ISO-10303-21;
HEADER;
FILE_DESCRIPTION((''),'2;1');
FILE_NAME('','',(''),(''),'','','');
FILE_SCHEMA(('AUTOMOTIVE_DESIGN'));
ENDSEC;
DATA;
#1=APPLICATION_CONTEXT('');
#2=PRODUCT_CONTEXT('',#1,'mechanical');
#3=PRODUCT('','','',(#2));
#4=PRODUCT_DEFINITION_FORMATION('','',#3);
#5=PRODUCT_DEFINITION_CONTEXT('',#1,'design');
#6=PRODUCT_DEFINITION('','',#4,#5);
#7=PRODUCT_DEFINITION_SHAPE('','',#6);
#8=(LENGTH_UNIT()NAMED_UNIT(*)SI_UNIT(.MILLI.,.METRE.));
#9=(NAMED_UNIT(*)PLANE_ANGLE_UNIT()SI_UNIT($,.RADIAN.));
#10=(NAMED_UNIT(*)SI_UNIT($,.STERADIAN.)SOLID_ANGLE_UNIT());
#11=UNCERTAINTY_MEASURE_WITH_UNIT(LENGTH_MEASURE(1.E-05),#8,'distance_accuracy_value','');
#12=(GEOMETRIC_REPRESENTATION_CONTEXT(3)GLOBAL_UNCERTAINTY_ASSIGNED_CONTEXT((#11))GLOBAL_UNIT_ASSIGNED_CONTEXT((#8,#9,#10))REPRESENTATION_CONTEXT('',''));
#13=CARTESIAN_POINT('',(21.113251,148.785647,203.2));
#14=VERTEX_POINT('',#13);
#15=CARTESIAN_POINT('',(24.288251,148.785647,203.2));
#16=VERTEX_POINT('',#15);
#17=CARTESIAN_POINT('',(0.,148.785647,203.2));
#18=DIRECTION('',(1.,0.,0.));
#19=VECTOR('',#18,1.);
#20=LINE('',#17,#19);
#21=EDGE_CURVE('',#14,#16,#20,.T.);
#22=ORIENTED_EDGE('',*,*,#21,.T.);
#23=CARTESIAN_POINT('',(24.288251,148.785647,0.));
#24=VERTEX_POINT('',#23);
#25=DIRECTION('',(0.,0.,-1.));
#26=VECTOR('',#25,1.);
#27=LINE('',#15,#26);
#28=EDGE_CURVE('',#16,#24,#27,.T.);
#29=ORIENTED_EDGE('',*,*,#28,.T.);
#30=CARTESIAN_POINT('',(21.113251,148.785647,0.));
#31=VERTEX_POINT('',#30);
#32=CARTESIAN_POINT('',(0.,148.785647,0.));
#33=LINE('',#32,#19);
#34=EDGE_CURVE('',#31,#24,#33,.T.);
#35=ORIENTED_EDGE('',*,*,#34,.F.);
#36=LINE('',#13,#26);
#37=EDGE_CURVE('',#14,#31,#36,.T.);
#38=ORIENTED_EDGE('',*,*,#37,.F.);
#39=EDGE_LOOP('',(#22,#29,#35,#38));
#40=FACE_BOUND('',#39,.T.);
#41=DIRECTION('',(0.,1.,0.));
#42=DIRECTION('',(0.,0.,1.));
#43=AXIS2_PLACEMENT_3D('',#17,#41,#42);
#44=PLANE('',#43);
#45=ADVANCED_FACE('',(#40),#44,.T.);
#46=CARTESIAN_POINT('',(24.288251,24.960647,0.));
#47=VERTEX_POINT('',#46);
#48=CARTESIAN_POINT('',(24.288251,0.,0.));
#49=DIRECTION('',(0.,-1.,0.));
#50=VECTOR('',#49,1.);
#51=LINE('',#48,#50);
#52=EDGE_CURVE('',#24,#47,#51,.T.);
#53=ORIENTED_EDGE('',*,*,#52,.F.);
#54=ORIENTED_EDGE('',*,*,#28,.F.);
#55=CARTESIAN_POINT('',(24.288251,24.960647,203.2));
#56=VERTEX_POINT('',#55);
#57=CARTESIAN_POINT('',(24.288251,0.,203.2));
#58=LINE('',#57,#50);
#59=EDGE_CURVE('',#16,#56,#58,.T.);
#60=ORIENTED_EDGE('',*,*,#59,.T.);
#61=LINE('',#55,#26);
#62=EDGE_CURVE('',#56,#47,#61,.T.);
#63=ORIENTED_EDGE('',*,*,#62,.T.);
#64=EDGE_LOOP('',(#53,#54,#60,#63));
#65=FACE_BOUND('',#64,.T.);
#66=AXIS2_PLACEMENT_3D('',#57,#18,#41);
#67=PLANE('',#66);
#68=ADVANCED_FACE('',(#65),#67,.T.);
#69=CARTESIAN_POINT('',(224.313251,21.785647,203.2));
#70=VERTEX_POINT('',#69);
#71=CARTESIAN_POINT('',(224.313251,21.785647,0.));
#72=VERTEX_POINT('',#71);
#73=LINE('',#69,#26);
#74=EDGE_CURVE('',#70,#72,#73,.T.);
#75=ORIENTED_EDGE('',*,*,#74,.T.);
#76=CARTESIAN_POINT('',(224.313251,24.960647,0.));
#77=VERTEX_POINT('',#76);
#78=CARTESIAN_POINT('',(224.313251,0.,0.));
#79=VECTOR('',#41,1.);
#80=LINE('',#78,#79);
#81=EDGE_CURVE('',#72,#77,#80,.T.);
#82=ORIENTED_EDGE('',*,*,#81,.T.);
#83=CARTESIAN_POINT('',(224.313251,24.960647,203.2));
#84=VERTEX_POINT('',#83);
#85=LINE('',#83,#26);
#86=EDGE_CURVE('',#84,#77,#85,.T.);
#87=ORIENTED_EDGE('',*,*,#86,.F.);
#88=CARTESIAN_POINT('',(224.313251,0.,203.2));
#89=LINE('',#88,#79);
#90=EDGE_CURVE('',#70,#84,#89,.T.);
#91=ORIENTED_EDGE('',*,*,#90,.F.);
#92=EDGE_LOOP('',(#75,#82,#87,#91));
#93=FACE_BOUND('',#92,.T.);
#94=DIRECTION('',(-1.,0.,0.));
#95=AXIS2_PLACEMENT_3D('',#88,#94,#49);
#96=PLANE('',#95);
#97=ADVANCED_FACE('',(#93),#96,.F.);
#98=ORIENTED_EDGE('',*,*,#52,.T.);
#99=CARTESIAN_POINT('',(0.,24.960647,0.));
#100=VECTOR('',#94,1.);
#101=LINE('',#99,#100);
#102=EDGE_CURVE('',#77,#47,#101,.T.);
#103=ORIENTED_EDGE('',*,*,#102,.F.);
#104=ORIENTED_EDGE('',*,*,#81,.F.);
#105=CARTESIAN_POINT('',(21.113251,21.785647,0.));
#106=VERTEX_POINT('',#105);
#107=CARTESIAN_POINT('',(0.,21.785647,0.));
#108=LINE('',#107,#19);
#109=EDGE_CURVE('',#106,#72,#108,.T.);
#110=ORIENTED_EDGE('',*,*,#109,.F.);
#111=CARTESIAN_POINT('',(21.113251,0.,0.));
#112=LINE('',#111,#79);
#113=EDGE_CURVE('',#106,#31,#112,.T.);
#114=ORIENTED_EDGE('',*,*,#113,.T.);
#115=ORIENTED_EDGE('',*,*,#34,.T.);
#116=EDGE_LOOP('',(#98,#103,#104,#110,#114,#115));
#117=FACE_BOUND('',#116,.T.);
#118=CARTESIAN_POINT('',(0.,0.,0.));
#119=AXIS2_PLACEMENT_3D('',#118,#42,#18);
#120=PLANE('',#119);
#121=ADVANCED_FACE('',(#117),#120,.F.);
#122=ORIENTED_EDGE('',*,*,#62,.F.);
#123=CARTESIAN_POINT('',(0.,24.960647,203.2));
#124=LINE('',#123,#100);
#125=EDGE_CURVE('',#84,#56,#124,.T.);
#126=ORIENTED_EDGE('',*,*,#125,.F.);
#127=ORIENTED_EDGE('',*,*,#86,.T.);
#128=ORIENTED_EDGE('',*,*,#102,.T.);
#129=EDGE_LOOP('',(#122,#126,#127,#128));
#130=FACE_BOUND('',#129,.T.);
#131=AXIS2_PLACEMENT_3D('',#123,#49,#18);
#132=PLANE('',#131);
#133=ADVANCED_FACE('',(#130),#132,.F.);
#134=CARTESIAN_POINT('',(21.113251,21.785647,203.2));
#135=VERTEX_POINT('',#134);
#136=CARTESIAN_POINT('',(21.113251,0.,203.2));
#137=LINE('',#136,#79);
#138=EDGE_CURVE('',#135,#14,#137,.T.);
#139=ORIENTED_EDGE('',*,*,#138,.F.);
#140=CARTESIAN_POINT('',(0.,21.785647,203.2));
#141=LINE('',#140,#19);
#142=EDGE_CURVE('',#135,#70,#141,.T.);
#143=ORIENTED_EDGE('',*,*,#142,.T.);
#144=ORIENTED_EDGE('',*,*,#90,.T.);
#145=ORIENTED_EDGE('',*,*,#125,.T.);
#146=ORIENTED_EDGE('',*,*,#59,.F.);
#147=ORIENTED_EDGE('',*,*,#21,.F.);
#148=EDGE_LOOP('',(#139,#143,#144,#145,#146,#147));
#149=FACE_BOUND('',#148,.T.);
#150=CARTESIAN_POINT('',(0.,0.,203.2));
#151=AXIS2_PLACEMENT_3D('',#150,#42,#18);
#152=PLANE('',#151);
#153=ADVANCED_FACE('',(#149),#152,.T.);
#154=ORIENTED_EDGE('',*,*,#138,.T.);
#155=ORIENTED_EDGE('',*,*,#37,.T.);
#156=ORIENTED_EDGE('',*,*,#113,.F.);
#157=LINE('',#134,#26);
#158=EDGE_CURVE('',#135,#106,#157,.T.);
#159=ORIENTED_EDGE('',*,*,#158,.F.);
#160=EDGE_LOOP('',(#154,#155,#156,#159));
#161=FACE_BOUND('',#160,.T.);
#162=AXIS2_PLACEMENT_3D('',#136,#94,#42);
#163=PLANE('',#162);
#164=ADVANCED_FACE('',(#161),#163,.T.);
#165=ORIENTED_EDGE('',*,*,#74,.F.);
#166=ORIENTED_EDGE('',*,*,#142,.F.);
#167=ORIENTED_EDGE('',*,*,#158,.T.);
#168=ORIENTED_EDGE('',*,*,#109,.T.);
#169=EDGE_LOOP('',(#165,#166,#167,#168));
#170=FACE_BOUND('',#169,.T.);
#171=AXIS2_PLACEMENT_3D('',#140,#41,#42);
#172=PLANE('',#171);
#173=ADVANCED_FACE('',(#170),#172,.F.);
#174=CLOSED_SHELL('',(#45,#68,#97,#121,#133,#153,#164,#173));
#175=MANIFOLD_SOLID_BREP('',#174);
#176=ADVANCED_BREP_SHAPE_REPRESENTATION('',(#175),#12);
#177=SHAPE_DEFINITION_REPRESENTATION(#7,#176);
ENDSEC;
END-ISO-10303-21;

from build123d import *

# Parameters (mm, degrees)
BOSS_EXTRUDE1_DEPTH = 203.2


with BuildPart() as part:
    # Sketch2 → Boss-Extrude1 (new body)
    with BuildSketch(Plane.XY):
        Polygon((21.113251485, 148.785646973), (21.113251485, 21.785646973), (224.313251485, 21.785646973), (224.313251485, 24.960646973), (24.288251485, 24.960646973), (24.288251485, 148.785646973), align=None)
    extrude(amount=BOSS_EXTRUDE1_DEPTH)


solid = part.part
